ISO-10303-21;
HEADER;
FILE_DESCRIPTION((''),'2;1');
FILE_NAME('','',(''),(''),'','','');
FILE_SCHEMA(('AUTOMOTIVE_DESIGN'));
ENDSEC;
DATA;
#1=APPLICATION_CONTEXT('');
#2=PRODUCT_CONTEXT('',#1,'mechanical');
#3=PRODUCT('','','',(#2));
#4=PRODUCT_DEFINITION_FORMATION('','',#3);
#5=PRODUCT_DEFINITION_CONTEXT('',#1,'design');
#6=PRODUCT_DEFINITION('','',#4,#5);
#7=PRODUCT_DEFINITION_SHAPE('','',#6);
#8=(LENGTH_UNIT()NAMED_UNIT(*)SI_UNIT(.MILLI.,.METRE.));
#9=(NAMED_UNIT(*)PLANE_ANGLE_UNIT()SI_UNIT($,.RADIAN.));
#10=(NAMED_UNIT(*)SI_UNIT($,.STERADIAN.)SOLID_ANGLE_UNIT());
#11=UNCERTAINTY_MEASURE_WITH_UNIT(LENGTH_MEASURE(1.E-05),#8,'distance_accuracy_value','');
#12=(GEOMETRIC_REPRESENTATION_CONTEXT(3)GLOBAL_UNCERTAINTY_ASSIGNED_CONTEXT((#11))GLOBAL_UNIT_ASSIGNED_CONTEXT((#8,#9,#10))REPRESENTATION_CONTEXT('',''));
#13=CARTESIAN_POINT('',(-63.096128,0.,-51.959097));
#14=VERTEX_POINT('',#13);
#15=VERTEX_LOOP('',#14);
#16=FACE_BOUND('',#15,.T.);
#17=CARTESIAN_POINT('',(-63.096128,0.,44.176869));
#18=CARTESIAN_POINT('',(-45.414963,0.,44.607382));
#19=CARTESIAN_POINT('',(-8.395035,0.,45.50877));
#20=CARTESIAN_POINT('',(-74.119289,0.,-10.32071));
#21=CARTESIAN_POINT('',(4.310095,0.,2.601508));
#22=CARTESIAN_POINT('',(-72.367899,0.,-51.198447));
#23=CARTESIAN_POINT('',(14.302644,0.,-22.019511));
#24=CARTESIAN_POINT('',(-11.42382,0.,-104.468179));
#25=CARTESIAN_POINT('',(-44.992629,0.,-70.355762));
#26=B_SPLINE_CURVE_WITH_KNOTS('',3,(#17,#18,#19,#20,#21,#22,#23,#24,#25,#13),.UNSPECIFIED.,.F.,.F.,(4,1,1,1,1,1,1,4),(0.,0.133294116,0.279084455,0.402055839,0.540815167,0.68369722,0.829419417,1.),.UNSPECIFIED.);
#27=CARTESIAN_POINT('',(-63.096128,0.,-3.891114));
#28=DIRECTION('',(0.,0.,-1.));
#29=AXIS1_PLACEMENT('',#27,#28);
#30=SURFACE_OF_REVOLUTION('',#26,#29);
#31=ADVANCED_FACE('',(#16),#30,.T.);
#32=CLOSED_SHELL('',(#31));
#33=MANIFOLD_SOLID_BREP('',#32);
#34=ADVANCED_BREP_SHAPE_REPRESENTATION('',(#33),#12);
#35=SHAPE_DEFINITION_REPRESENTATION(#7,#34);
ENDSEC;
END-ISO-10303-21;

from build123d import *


with BuildPart() as f1:
    # F0 (on Front) → F1 (revolve)
    with BuildSketch(Plane.XZ):
        with BuildLine():
            add(Edge.make_bspline(
                [(-63.0961284041, 44.1768690944), (-45.4149626096, 44.6073824983), (-8.3950349217, 45.5087696166), (-74.1192885315, -10.3207103098), (4.3100949826, 2.6015078266), (-72.3678991494, -51.1984468063), (14.3026436614, -22.0195112685), (-11.4238195996, -104.4681789), (-44.9926292557, -70.3557615654), (-63.0961284041, -51.9590973854)],
                knots=[0, 0, 0, 0, 0.1332941157, 0.2790844553, 0.4020558388, 0.5408151672, 0.6836972198, 0.8294194173, 1, 1, 1, 1], degree=3))
            Line((-63.0961284041, 44.1768690944), (-63.0961284041, -51.9590973854))
        make_face()
    revolve(axis=Axis((-63.0961284041, 0, -3.8911141455), (0, 0, -1)))


solid = f1.part
